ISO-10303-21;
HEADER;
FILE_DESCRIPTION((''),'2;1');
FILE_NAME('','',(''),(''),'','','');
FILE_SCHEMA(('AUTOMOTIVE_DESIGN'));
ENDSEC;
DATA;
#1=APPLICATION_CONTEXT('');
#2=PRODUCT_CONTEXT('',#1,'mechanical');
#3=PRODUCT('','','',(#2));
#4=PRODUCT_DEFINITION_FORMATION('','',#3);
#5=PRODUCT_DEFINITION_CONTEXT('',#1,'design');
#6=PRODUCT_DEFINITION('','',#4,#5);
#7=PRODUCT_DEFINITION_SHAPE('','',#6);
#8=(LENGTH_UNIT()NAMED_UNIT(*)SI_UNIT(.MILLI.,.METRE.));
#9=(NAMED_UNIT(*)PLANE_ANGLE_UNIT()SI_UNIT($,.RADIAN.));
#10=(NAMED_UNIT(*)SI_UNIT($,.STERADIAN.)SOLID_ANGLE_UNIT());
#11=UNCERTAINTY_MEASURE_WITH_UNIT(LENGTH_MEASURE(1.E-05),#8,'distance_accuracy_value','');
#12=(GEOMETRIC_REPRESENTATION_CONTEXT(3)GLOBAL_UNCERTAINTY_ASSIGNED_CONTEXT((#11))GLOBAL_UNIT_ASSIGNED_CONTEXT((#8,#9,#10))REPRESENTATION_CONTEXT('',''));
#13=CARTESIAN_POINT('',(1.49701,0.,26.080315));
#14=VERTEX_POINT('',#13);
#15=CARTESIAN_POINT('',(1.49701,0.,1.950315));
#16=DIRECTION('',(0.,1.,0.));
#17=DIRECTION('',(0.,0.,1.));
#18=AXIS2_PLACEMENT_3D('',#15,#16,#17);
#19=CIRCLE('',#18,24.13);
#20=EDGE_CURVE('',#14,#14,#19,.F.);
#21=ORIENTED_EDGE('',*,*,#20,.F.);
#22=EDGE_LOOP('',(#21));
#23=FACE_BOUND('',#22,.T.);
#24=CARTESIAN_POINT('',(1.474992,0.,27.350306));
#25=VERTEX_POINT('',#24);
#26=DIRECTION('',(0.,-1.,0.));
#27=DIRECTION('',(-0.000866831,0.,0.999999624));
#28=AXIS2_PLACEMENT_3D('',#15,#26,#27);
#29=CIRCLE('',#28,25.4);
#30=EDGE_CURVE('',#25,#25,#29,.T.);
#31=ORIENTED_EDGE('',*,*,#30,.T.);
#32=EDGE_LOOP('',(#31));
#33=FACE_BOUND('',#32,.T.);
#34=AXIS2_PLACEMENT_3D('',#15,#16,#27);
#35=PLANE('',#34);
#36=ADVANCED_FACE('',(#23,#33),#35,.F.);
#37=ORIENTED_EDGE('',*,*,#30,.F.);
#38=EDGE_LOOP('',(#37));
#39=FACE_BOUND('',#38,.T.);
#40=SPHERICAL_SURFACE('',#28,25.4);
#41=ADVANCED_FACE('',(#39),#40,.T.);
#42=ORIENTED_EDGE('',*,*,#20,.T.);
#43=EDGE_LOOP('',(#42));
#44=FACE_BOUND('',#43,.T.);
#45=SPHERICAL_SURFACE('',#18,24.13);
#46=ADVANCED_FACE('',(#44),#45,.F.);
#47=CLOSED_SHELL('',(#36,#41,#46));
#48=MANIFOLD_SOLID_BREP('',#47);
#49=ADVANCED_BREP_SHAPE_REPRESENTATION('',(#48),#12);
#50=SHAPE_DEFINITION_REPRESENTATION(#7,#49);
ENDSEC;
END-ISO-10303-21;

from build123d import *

# Parameters (mm, degrees)
REVOLVE1_ANGLE = 180
SHELL1_T       = -1.27


with BuildPart() as part:
    # Sketch1 → Revolve1 (revolve)
    with BuildSketch(Plane(origin=(0, 0, 0), x_dir=(1, 0, 0), z_dir=(0, 1, 0))):
        with BuildLine():
            Line((-23.902987763, -1.939306601), (26.897007466, -1.961324102))
            ThreePointArc((26.897007466, -1.961324102), (1.508018602, 23.449682263), (-23.902987763, -1.939306601))
        make_face()
    revolve(axis=Axis((-23.902987763, 0, 1.939306601), (0.9999999060755533, 0, 0.00043341537180254555)), revolution_arc=REVOLVE1_ANGLE)

    # Shell1
    shell1_openings = [part.faces().sort_by_distance(p)[0] for p in [
        (1.497009851, 0, 1.950315351),
    ]]
    offset(amount=SHELL1_T, openings=shell1_openings)


solid = part.part
